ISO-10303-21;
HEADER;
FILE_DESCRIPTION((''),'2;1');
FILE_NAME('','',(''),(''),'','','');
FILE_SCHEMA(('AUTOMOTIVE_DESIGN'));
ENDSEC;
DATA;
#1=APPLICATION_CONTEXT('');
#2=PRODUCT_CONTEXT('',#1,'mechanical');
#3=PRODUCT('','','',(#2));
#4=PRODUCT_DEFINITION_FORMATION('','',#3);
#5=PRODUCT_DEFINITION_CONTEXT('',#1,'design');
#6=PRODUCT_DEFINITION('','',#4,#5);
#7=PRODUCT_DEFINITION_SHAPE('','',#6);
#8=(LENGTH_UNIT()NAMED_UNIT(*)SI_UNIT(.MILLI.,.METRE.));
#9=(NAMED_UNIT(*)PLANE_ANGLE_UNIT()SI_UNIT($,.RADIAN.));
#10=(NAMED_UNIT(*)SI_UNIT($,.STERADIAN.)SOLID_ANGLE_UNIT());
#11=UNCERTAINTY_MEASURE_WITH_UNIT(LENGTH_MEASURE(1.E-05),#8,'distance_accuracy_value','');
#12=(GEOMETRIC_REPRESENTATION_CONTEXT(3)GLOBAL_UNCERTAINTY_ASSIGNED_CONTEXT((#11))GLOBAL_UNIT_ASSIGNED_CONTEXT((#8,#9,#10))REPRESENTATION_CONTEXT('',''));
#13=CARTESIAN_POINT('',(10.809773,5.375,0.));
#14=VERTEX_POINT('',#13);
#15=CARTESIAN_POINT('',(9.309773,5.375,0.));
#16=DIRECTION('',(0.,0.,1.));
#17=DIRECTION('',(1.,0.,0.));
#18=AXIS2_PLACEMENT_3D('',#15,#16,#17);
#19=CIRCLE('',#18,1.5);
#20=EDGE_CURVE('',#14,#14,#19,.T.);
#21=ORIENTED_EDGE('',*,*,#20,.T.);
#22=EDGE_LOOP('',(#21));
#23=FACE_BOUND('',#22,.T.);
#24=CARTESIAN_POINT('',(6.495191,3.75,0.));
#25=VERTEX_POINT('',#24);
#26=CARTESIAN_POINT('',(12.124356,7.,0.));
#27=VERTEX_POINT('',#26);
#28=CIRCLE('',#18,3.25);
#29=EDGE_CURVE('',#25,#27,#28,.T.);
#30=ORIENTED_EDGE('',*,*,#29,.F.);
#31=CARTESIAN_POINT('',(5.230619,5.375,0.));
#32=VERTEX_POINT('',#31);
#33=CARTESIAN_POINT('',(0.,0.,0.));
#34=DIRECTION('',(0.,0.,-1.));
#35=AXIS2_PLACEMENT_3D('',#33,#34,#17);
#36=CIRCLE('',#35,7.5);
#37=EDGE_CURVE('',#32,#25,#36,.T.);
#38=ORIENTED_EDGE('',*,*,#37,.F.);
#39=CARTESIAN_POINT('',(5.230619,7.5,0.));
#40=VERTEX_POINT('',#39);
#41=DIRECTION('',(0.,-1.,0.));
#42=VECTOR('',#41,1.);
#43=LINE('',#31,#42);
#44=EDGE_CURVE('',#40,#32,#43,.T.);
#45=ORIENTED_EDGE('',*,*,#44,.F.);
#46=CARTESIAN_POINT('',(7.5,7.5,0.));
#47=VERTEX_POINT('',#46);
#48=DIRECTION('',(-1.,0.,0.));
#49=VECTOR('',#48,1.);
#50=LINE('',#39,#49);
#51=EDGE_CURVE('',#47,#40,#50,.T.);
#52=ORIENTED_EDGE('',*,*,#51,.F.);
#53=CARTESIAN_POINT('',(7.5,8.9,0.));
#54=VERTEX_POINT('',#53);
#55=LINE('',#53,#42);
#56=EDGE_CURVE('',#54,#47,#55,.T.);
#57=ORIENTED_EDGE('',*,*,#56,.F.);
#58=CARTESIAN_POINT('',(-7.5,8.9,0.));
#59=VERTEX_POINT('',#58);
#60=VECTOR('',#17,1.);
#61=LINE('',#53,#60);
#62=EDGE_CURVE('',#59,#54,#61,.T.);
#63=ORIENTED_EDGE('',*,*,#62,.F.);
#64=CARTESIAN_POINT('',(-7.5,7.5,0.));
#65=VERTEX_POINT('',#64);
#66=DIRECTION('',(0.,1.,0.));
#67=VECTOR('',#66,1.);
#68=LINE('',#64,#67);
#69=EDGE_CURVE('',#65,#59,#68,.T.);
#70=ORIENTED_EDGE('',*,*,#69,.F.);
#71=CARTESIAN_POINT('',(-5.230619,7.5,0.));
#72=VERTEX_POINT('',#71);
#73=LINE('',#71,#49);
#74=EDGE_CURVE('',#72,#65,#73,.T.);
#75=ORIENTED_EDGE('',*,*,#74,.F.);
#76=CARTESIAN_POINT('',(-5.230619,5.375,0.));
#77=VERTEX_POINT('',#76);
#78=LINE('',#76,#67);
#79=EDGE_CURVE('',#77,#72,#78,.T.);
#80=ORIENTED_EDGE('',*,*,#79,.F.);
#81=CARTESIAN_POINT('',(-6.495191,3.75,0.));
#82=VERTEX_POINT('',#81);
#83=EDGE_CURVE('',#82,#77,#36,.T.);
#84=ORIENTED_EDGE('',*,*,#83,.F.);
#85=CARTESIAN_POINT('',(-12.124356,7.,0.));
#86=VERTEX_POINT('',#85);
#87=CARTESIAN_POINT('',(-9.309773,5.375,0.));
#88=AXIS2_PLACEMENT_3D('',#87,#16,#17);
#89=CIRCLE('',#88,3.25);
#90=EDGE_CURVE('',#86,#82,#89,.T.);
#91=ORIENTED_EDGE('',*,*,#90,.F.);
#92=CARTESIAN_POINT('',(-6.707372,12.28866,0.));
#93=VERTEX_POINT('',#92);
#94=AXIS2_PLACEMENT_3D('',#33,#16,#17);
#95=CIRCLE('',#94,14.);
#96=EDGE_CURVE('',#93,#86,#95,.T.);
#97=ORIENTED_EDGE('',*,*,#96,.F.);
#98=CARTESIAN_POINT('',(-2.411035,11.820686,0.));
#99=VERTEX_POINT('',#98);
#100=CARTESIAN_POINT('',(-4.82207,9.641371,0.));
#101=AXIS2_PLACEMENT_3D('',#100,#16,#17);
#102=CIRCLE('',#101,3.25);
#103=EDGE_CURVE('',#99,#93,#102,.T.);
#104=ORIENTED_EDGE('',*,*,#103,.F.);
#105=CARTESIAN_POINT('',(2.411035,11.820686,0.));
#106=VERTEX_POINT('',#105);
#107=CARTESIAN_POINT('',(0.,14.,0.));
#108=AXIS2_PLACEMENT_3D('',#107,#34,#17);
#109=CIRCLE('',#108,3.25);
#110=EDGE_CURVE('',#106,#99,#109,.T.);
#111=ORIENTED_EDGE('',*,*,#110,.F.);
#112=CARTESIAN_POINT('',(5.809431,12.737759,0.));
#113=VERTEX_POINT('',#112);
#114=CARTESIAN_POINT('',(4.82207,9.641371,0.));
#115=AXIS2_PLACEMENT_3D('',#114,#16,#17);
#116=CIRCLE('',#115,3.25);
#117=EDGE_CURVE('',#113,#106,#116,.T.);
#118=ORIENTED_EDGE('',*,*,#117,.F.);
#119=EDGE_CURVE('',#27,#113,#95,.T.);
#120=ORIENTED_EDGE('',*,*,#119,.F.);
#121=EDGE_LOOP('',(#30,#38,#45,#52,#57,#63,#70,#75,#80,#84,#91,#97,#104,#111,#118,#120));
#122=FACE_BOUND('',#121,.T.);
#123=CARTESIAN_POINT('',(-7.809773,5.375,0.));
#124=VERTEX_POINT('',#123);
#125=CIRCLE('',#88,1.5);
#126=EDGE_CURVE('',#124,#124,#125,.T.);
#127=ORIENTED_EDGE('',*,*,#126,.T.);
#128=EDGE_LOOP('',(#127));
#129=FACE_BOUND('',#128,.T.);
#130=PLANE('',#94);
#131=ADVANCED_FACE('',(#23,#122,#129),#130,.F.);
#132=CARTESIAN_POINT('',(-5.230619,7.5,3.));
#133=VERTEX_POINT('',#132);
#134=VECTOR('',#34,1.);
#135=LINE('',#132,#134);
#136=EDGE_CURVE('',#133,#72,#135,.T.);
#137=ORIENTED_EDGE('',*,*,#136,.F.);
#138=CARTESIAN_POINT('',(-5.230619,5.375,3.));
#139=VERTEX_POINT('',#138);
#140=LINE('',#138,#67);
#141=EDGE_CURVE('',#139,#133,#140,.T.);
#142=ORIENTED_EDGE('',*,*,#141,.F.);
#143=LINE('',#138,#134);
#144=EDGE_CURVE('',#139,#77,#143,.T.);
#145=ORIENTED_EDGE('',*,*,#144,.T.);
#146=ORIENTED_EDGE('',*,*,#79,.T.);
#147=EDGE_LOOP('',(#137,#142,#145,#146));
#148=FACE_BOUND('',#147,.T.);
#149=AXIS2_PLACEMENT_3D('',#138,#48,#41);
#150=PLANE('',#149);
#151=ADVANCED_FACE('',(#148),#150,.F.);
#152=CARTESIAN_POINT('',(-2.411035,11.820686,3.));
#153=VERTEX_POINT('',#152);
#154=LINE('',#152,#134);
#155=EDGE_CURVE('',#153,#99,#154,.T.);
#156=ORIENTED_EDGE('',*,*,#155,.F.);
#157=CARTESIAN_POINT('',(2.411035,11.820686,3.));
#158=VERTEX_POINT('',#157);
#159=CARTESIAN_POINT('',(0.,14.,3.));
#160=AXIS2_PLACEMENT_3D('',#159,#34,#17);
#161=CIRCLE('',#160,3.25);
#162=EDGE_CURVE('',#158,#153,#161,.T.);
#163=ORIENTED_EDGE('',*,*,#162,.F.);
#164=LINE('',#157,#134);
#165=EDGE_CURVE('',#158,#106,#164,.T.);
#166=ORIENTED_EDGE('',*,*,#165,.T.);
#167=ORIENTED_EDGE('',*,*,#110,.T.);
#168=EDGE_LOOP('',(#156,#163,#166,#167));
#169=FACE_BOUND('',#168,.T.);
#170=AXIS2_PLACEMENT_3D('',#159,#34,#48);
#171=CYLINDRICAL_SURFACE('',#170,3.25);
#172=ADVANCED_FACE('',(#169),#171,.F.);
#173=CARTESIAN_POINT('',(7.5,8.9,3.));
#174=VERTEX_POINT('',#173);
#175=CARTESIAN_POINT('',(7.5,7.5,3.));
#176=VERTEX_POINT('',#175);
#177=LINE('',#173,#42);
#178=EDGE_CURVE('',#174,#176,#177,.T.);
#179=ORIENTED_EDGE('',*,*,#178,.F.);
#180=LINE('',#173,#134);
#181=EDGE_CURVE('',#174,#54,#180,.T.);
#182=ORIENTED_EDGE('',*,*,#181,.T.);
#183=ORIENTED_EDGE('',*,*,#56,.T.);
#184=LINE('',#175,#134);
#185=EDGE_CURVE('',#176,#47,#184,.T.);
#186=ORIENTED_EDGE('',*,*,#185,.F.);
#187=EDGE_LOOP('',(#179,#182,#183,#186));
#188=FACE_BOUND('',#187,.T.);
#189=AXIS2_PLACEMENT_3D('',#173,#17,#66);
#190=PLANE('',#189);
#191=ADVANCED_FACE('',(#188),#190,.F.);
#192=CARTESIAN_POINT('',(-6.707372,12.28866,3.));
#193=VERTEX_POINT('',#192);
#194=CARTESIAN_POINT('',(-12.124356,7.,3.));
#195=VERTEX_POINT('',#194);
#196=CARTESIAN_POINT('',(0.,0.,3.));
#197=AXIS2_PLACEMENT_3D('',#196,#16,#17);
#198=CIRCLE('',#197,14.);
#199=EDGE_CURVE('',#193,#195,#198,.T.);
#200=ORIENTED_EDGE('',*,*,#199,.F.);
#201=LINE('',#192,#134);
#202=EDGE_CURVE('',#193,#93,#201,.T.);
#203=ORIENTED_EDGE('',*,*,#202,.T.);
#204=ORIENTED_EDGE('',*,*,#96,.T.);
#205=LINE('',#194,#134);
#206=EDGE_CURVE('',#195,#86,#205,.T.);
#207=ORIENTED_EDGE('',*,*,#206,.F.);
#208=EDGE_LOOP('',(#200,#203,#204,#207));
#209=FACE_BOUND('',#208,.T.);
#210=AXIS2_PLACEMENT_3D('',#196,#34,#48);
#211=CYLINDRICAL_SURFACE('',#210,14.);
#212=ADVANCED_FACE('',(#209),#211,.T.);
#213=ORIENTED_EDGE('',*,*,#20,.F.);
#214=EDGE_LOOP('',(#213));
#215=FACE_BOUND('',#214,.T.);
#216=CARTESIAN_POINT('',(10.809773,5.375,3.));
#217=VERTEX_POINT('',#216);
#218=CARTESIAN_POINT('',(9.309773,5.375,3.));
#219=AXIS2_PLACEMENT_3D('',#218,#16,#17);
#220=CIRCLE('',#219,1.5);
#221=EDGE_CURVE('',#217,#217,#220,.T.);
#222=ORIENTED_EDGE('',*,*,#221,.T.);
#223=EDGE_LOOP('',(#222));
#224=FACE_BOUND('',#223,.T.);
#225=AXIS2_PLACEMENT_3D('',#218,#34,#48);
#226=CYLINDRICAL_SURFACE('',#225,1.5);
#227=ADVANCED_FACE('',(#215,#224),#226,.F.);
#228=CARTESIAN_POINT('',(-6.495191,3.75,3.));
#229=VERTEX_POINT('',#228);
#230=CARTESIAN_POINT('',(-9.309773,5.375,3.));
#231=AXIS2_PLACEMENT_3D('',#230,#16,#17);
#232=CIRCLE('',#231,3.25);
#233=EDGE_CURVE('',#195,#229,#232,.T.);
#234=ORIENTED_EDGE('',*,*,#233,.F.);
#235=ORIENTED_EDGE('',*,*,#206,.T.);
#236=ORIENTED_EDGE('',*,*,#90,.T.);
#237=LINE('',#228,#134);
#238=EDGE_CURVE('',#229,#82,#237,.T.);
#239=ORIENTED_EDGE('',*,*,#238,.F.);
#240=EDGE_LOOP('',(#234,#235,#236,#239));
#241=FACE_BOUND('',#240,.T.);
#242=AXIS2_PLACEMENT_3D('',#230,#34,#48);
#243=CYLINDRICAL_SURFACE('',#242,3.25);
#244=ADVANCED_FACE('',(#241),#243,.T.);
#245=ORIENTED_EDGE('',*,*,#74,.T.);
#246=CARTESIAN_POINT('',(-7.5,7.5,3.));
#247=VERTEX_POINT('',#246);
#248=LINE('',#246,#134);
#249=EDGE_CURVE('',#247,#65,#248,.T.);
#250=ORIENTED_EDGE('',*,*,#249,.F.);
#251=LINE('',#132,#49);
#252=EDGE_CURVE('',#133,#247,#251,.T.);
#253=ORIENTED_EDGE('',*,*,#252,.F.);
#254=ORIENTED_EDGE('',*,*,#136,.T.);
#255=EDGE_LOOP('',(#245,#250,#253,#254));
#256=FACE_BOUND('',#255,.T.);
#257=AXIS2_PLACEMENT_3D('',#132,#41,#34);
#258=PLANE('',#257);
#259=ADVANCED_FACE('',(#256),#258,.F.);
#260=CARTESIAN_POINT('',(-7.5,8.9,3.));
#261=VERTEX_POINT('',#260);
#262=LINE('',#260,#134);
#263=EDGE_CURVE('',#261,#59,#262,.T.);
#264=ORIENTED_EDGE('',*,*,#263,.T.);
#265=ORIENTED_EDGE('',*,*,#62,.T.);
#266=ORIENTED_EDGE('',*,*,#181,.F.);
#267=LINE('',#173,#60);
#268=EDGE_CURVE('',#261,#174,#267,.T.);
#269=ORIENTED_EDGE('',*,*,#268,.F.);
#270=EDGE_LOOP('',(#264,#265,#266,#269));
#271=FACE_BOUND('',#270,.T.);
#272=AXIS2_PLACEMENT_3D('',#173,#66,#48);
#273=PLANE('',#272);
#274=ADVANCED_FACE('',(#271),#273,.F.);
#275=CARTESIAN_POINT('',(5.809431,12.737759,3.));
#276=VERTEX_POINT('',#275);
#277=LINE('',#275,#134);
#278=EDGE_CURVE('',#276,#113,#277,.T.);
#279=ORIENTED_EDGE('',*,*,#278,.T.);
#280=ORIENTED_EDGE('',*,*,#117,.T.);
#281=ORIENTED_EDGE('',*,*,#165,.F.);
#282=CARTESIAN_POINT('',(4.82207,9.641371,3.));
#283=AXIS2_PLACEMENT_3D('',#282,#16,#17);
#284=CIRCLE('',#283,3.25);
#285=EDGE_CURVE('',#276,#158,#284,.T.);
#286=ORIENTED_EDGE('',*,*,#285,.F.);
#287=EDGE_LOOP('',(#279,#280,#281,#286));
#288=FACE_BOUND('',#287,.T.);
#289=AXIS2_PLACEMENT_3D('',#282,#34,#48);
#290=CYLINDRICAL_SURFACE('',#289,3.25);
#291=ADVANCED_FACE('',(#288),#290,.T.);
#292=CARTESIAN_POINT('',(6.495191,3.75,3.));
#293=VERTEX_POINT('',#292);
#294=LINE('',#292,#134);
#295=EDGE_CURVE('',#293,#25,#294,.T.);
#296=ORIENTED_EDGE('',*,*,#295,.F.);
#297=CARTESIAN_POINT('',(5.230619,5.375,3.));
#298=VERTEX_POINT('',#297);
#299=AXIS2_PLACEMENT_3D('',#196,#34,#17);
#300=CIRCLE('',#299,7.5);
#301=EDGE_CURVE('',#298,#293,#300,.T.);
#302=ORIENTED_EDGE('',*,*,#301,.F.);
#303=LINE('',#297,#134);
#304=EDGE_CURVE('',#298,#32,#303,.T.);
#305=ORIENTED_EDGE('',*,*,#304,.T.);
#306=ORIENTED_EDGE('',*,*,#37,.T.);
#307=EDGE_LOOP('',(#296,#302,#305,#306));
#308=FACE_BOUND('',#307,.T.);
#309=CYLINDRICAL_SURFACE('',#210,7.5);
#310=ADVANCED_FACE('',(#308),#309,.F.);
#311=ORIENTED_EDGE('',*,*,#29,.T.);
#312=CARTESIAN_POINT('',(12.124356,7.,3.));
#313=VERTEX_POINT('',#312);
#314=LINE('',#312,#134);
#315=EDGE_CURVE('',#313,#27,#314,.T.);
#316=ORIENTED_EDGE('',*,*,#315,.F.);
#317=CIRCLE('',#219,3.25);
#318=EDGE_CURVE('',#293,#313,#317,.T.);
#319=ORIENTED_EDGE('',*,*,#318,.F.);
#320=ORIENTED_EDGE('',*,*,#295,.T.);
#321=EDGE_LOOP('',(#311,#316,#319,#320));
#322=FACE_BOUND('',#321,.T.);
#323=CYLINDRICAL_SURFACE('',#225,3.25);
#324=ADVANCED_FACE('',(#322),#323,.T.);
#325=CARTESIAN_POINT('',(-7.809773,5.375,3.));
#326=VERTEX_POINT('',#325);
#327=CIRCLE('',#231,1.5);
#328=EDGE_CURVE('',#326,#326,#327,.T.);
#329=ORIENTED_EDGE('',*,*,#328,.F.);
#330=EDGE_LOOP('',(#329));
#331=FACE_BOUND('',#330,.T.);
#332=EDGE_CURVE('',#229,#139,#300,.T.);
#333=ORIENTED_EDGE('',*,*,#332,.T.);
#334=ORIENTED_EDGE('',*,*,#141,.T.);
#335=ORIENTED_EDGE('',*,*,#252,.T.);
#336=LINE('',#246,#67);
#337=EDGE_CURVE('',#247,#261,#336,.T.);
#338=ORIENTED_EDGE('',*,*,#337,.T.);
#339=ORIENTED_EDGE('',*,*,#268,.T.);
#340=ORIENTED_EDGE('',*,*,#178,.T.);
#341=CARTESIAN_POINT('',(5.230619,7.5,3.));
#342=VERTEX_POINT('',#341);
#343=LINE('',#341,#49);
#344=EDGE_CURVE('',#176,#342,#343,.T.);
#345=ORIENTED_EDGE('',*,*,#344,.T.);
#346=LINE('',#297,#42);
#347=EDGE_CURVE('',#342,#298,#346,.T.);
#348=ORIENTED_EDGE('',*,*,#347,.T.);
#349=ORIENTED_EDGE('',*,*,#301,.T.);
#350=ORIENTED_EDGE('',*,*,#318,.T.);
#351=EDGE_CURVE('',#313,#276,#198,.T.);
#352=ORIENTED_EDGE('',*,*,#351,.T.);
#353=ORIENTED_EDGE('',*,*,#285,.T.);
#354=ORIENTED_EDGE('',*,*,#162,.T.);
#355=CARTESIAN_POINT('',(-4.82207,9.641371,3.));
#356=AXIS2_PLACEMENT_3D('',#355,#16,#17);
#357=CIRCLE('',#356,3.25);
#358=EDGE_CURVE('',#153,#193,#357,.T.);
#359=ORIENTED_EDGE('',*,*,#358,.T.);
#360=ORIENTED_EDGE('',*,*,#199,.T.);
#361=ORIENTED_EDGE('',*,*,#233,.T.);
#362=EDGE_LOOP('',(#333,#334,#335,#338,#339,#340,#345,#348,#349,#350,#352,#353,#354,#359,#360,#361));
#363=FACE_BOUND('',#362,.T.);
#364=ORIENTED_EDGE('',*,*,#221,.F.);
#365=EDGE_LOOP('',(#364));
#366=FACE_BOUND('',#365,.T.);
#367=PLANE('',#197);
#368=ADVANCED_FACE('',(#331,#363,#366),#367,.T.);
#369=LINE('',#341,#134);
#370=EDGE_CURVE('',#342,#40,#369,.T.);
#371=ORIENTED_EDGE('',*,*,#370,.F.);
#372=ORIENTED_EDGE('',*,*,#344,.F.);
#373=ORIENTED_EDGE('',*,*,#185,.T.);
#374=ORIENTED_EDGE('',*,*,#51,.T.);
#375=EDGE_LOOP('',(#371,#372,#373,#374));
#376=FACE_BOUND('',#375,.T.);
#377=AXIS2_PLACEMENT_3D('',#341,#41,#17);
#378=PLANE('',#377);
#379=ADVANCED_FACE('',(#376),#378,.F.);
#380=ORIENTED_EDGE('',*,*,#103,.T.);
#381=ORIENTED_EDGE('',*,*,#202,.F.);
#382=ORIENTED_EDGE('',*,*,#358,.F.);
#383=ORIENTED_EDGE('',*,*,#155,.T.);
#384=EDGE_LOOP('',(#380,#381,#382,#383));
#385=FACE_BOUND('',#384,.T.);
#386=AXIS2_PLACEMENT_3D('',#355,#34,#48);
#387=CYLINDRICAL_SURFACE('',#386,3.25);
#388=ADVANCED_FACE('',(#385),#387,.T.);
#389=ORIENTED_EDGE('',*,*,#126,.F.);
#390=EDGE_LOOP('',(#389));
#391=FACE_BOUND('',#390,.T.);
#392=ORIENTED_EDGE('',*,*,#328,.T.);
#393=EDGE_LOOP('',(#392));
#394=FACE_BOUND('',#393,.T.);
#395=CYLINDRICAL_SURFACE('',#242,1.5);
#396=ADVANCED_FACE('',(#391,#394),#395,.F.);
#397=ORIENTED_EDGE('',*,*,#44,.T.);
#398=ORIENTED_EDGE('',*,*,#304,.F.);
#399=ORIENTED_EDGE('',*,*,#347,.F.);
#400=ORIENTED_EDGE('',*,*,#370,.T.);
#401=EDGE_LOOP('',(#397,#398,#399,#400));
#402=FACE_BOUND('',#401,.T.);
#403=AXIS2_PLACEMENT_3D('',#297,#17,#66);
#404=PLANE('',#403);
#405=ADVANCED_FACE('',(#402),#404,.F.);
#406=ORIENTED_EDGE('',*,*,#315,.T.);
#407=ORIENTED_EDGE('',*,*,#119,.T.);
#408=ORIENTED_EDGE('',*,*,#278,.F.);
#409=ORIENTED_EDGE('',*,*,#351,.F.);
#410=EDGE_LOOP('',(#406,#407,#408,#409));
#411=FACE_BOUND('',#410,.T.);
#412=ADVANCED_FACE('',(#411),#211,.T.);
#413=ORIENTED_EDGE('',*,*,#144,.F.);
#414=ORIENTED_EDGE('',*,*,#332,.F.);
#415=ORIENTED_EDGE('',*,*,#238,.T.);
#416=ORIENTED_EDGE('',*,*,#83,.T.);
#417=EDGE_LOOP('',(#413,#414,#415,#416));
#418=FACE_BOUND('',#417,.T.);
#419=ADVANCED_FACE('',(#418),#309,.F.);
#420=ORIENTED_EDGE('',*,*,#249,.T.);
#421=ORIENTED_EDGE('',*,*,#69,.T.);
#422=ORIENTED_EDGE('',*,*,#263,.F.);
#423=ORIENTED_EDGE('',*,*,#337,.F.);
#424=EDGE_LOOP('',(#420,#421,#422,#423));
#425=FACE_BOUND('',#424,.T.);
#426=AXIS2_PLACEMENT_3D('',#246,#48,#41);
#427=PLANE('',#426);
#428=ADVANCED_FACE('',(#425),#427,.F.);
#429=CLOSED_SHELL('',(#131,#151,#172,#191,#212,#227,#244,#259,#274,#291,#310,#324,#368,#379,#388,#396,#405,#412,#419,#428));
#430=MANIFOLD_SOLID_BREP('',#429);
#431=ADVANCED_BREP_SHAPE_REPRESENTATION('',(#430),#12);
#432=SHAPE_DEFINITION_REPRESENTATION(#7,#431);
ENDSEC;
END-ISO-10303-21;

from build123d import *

# Parameters (mm, degrees)
ESQUISSE1_R        = 1.5
BOSS_EXTRU_2_DEPTH = 3


with BuildPart() as part:
    # Esquisse1 → Boss.-Extru.2 (new body)
    with BuildSketch(Plane.XY):
        with BuildLine():
            Line((5.230618988, 7.5), (7.5, 7.5))
            Line((7.5, 7.5), (7.5, 8.9))
            Line((7.5, 8.9), (-7.5, 8.9))
            Line((-7.5, 8.9), (-7.5, 7.5))
            Line((-7.5, 7.5), (-5.230618988, 7.5))
            Line((-5.230618988, 7.5), (-5.230618988, 5.375))
            ThreePointArc((-5.230618988, 5.375), (-5.918936429, 4.606103727), (-6.495190528, 3.75))
            ThreePointArc((-6.495190528, 3.75), (-10.934773091, 2.560417438), (-12.124355653, 7))
            ThreePointArc((-12.124355653, 7), (-9.780131311, 10.017436376), (-6.707371512, 12.288660114))
            ThreePointArc((-6.707371512, 12.288660114), (-4.47014813, 12.872261577), (-2.411034891, 11.820685714))
            ThreePointArc((-2.411034891, 11.820685714), (0, 10.75), (2.411034891, 11.820685714))
            ThreePointArc((2.411034891, 11.820685714), (3.975330286, 12.779130538), (5.80943088, 12.737759334))
            ThreePointArc((5.80943088, 12.737759334), (9.414650572, 10.36167721), (12.124355653, 7))
            ThreePointArc((12.124355653, 7), (10.934773091, 2.560417438), (6.495190528, 3.75))
            ThreePointArc((6.495190528, 3.75), (5.918936429, 4.606103727), (5.230618988, 5.375))
            Line((5.230618988, 5.375), (5.230618988, 7.5))
        make_face()
        with Locations((9.309773091, 5.375)):
            Circle(ESQUISSE1_R, mode=Mode.SUBTRACT)
        with Locations((-9.309773091, 5.375)):
            Circle(ESQUISSE1_R, mode=Mode.SUBTRACT)
    extrude(amount=BOSS_EXTRU_2_DEPTH)


solid = part.part
